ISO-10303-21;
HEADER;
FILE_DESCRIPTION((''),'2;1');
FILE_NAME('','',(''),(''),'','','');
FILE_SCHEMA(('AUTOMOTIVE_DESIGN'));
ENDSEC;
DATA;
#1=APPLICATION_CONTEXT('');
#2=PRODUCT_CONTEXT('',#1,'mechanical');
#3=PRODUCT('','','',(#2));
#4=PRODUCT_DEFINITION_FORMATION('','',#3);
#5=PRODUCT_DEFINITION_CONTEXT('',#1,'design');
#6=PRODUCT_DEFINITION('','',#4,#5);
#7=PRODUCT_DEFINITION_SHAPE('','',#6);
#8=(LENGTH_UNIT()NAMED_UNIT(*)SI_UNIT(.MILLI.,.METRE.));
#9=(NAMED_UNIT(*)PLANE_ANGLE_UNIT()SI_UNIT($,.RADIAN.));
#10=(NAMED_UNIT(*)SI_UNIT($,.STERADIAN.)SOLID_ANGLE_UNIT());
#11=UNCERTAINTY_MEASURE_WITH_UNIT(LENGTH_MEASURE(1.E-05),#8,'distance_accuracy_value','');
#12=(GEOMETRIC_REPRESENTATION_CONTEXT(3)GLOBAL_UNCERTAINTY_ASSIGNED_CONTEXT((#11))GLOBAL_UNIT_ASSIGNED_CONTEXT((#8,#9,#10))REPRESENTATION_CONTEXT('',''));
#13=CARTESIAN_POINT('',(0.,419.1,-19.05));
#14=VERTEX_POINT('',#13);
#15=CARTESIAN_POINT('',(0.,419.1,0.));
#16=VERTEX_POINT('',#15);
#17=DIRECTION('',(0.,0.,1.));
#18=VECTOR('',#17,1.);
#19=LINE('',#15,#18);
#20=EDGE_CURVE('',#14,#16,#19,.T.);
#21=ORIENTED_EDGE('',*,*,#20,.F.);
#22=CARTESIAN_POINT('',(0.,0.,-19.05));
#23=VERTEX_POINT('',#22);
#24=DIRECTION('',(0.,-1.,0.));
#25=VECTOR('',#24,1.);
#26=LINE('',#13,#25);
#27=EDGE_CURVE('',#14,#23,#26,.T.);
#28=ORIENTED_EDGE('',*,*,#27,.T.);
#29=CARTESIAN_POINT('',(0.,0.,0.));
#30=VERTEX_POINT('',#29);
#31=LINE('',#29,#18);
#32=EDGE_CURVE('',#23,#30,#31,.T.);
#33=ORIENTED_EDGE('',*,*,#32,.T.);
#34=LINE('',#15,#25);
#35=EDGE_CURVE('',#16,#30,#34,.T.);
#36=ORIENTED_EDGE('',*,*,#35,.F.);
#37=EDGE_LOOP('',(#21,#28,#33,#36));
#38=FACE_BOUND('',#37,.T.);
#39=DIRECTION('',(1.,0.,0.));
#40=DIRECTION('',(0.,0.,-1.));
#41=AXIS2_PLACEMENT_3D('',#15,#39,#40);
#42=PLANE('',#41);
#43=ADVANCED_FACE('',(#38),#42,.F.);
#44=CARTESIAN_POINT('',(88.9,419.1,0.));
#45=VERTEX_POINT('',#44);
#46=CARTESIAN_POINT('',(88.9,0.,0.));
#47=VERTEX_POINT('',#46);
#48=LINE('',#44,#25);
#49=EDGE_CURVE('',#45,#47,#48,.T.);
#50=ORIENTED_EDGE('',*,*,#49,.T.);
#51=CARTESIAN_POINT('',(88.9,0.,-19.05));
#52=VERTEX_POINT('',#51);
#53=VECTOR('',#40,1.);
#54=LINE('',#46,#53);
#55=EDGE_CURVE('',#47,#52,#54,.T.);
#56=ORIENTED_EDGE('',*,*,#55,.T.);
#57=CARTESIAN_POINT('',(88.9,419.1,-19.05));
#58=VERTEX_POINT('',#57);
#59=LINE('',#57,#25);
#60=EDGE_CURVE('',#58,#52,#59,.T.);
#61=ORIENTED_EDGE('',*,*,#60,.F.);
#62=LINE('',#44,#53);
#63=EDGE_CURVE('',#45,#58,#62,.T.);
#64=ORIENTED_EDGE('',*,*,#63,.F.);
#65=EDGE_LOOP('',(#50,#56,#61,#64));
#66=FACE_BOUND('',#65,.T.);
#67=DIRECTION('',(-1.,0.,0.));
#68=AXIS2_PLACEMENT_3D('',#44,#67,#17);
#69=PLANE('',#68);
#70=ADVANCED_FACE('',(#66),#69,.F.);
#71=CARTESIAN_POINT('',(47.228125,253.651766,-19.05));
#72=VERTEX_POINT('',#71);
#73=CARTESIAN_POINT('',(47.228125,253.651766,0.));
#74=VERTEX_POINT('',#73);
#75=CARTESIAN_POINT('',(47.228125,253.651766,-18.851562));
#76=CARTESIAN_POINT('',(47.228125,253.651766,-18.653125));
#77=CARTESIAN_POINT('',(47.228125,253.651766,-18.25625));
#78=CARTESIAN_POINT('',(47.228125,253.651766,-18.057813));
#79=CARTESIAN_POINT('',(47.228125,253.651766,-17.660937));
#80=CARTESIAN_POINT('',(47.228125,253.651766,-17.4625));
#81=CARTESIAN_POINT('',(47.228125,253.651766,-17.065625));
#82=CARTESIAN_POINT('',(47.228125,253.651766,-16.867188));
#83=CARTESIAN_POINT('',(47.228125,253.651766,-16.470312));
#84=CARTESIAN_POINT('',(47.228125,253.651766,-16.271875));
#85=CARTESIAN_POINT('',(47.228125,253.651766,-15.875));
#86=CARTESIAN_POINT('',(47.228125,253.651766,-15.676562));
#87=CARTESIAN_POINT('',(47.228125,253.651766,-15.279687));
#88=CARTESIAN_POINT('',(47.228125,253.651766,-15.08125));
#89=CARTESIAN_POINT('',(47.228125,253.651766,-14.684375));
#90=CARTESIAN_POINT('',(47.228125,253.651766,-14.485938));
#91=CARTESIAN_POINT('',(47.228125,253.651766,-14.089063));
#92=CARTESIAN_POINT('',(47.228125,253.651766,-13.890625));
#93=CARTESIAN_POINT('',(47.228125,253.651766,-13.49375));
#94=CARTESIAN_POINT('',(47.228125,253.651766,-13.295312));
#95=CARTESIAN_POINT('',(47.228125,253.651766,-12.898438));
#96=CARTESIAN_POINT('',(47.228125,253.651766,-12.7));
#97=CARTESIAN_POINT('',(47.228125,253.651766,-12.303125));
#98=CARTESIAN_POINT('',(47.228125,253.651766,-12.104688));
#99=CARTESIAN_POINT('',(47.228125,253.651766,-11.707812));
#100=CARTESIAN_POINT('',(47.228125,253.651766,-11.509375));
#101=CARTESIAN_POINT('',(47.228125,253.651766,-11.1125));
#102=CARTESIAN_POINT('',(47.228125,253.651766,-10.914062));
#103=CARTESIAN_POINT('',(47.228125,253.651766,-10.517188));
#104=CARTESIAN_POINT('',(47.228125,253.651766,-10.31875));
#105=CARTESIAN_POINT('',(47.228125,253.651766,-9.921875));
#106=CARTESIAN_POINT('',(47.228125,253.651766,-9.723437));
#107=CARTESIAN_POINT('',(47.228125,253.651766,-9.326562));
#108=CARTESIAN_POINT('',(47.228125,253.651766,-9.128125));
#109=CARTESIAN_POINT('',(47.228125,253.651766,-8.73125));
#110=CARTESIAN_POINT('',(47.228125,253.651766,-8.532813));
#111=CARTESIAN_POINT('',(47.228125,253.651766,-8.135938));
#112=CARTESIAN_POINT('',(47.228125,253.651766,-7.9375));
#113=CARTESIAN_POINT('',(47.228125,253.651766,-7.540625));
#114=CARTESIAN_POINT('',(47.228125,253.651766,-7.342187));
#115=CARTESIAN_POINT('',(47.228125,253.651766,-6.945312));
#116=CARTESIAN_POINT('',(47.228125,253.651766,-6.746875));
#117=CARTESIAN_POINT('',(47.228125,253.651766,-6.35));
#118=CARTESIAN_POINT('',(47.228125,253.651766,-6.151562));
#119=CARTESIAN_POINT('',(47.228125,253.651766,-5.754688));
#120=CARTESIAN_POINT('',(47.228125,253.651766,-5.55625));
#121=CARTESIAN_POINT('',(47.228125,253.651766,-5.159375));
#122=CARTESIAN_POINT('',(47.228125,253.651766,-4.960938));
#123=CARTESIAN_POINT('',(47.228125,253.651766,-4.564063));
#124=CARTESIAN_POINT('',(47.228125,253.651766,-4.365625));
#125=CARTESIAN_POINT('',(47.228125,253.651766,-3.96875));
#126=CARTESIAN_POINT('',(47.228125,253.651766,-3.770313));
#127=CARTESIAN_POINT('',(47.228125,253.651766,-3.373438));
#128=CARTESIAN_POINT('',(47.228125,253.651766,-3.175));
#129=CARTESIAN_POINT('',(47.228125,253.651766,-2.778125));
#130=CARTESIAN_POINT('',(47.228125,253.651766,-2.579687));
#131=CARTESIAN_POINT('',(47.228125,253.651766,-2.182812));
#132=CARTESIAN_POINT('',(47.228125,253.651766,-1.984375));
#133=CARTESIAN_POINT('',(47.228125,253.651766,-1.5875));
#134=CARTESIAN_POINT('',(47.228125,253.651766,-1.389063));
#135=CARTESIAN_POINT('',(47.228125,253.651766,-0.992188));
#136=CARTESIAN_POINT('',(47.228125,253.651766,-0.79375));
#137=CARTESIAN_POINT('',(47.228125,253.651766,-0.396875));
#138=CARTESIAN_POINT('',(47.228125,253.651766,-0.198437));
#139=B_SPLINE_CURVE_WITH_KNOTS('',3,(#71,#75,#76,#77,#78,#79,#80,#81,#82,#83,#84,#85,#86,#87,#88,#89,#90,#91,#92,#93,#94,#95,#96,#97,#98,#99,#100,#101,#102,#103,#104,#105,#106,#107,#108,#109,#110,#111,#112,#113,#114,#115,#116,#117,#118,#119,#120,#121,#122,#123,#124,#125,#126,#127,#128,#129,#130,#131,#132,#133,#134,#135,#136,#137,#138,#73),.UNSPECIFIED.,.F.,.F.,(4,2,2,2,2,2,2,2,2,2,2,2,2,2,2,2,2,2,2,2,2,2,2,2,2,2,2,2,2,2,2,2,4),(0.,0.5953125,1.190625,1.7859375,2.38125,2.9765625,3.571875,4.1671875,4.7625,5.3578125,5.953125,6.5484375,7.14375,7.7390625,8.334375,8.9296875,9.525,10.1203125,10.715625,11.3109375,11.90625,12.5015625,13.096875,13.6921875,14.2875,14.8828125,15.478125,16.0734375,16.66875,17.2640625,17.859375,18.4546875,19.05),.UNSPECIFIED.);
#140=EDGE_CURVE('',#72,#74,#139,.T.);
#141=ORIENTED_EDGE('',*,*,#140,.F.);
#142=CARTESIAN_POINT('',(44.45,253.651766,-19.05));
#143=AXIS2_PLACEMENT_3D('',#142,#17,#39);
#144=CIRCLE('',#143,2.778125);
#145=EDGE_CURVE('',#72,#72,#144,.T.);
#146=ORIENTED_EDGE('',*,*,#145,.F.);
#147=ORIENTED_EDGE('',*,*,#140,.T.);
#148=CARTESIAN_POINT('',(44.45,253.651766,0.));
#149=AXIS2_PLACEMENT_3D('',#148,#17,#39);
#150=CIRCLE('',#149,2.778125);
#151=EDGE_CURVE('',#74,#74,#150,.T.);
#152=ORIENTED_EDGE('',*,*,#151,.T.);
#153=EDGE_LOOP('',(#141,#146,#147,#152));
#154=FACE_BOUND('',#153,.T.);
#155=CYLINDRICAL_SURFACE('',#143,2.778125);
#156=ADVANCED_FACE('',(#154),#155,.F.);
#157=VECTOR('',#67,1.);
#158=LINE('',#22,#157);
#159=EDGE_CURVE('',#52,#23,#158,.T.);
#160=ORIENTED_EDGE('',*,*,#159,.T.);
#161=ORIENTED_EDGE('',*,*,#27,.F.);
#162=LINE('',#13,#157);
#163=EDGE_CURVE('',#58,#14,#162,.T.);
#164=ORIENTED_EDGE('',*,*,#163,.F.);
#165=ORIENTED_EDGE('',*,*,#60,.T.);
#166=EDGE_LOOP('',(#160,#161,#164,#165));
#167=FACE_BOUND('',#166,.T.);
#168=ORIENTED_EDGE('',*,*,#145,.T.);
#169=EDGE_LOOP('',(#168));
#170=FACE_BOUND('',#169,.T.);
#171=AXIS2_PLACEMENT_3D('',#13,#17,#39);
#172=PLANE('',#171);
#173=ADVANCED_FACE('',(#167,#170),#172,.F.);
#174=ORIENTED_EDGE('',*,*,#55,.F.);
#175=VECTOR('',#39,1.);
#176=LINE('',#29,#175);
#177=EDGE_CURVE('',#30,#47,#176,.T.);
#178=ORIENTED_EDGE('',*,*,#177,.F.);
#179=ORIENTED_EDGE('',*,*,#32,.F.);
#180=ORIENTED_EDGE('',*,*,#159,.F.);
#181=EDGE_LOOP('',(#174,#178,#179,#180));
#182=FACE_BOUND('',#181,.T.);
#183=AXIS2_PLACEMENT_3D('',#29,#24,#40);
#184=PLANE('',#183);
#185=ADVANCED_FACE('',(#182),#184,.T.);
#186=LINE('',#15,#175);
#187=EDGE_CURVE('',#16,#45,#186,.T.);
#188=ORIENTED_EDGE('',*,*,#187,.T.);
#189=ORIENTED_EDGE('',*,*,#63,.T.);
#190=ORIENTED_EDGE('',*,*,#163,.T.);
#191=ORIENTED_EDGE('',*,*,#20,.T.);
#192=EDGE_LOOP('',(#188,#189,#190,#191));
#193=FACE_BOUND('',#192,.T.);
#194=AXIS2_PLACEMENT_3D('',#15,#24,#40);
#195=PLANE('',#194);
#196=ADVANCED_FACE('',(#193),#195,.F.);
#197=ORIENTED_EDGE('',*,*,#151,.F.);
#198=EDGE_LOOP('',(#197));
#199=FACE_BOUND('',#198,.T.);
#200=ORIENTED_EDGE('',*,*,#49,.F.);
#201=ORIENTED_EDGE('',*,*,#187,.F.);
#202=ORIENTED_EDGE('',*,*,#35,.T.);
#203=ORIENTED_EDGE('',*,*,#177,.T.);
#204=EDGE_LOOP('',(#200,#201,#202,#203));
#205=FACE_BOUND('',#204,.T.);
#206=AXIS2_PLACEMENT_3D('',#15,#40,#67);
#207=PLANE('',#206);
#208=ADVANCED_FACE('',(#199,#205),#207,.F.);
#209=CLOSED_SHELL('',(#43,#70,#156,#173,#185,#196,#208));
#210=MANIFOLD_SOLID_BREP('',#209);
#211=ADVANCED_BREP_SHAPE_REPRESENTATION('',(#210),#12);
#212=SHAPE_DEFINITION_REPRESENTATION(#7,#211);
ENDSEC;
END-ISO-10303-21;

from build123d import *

# Parameters (mm, degrees)
SKETCH1_W           = 88.9
SKETCH1_H           = 19.05
BOSS_EXTRUDE1_DEPTH = 419.1
SKETCH2_R           = 2.778125
CUT_EXTRUDE1_DEPTH  = 429.848367725


with BuildPart() as part:
    # Sketch1 → Boss-Extrude1 (new body)
    with BuildSketch(Plane(origin=(0, 0, 0), x_dir=(1, 0, 0), z_dir=(0, 1, 0))):
        with Locations((44.45, 9.525)):
            Rectangle(SKETCH1_W, SKETCH1_H)
    extrude(amount=BOSS_EXTRUDE1_DEPTH)

    # Sketch2 → Cut-Extrude1 (cut, through all)
    with BuildSketch(Plane.XY):
        with Locations((44.45, 253.651766)):
            Circle(SKETCH2_R)
    extrude(amount=-CUT_EXTRUDE1_DEPTH, mode=Mode.SUBTRACT)


solid = part.part
